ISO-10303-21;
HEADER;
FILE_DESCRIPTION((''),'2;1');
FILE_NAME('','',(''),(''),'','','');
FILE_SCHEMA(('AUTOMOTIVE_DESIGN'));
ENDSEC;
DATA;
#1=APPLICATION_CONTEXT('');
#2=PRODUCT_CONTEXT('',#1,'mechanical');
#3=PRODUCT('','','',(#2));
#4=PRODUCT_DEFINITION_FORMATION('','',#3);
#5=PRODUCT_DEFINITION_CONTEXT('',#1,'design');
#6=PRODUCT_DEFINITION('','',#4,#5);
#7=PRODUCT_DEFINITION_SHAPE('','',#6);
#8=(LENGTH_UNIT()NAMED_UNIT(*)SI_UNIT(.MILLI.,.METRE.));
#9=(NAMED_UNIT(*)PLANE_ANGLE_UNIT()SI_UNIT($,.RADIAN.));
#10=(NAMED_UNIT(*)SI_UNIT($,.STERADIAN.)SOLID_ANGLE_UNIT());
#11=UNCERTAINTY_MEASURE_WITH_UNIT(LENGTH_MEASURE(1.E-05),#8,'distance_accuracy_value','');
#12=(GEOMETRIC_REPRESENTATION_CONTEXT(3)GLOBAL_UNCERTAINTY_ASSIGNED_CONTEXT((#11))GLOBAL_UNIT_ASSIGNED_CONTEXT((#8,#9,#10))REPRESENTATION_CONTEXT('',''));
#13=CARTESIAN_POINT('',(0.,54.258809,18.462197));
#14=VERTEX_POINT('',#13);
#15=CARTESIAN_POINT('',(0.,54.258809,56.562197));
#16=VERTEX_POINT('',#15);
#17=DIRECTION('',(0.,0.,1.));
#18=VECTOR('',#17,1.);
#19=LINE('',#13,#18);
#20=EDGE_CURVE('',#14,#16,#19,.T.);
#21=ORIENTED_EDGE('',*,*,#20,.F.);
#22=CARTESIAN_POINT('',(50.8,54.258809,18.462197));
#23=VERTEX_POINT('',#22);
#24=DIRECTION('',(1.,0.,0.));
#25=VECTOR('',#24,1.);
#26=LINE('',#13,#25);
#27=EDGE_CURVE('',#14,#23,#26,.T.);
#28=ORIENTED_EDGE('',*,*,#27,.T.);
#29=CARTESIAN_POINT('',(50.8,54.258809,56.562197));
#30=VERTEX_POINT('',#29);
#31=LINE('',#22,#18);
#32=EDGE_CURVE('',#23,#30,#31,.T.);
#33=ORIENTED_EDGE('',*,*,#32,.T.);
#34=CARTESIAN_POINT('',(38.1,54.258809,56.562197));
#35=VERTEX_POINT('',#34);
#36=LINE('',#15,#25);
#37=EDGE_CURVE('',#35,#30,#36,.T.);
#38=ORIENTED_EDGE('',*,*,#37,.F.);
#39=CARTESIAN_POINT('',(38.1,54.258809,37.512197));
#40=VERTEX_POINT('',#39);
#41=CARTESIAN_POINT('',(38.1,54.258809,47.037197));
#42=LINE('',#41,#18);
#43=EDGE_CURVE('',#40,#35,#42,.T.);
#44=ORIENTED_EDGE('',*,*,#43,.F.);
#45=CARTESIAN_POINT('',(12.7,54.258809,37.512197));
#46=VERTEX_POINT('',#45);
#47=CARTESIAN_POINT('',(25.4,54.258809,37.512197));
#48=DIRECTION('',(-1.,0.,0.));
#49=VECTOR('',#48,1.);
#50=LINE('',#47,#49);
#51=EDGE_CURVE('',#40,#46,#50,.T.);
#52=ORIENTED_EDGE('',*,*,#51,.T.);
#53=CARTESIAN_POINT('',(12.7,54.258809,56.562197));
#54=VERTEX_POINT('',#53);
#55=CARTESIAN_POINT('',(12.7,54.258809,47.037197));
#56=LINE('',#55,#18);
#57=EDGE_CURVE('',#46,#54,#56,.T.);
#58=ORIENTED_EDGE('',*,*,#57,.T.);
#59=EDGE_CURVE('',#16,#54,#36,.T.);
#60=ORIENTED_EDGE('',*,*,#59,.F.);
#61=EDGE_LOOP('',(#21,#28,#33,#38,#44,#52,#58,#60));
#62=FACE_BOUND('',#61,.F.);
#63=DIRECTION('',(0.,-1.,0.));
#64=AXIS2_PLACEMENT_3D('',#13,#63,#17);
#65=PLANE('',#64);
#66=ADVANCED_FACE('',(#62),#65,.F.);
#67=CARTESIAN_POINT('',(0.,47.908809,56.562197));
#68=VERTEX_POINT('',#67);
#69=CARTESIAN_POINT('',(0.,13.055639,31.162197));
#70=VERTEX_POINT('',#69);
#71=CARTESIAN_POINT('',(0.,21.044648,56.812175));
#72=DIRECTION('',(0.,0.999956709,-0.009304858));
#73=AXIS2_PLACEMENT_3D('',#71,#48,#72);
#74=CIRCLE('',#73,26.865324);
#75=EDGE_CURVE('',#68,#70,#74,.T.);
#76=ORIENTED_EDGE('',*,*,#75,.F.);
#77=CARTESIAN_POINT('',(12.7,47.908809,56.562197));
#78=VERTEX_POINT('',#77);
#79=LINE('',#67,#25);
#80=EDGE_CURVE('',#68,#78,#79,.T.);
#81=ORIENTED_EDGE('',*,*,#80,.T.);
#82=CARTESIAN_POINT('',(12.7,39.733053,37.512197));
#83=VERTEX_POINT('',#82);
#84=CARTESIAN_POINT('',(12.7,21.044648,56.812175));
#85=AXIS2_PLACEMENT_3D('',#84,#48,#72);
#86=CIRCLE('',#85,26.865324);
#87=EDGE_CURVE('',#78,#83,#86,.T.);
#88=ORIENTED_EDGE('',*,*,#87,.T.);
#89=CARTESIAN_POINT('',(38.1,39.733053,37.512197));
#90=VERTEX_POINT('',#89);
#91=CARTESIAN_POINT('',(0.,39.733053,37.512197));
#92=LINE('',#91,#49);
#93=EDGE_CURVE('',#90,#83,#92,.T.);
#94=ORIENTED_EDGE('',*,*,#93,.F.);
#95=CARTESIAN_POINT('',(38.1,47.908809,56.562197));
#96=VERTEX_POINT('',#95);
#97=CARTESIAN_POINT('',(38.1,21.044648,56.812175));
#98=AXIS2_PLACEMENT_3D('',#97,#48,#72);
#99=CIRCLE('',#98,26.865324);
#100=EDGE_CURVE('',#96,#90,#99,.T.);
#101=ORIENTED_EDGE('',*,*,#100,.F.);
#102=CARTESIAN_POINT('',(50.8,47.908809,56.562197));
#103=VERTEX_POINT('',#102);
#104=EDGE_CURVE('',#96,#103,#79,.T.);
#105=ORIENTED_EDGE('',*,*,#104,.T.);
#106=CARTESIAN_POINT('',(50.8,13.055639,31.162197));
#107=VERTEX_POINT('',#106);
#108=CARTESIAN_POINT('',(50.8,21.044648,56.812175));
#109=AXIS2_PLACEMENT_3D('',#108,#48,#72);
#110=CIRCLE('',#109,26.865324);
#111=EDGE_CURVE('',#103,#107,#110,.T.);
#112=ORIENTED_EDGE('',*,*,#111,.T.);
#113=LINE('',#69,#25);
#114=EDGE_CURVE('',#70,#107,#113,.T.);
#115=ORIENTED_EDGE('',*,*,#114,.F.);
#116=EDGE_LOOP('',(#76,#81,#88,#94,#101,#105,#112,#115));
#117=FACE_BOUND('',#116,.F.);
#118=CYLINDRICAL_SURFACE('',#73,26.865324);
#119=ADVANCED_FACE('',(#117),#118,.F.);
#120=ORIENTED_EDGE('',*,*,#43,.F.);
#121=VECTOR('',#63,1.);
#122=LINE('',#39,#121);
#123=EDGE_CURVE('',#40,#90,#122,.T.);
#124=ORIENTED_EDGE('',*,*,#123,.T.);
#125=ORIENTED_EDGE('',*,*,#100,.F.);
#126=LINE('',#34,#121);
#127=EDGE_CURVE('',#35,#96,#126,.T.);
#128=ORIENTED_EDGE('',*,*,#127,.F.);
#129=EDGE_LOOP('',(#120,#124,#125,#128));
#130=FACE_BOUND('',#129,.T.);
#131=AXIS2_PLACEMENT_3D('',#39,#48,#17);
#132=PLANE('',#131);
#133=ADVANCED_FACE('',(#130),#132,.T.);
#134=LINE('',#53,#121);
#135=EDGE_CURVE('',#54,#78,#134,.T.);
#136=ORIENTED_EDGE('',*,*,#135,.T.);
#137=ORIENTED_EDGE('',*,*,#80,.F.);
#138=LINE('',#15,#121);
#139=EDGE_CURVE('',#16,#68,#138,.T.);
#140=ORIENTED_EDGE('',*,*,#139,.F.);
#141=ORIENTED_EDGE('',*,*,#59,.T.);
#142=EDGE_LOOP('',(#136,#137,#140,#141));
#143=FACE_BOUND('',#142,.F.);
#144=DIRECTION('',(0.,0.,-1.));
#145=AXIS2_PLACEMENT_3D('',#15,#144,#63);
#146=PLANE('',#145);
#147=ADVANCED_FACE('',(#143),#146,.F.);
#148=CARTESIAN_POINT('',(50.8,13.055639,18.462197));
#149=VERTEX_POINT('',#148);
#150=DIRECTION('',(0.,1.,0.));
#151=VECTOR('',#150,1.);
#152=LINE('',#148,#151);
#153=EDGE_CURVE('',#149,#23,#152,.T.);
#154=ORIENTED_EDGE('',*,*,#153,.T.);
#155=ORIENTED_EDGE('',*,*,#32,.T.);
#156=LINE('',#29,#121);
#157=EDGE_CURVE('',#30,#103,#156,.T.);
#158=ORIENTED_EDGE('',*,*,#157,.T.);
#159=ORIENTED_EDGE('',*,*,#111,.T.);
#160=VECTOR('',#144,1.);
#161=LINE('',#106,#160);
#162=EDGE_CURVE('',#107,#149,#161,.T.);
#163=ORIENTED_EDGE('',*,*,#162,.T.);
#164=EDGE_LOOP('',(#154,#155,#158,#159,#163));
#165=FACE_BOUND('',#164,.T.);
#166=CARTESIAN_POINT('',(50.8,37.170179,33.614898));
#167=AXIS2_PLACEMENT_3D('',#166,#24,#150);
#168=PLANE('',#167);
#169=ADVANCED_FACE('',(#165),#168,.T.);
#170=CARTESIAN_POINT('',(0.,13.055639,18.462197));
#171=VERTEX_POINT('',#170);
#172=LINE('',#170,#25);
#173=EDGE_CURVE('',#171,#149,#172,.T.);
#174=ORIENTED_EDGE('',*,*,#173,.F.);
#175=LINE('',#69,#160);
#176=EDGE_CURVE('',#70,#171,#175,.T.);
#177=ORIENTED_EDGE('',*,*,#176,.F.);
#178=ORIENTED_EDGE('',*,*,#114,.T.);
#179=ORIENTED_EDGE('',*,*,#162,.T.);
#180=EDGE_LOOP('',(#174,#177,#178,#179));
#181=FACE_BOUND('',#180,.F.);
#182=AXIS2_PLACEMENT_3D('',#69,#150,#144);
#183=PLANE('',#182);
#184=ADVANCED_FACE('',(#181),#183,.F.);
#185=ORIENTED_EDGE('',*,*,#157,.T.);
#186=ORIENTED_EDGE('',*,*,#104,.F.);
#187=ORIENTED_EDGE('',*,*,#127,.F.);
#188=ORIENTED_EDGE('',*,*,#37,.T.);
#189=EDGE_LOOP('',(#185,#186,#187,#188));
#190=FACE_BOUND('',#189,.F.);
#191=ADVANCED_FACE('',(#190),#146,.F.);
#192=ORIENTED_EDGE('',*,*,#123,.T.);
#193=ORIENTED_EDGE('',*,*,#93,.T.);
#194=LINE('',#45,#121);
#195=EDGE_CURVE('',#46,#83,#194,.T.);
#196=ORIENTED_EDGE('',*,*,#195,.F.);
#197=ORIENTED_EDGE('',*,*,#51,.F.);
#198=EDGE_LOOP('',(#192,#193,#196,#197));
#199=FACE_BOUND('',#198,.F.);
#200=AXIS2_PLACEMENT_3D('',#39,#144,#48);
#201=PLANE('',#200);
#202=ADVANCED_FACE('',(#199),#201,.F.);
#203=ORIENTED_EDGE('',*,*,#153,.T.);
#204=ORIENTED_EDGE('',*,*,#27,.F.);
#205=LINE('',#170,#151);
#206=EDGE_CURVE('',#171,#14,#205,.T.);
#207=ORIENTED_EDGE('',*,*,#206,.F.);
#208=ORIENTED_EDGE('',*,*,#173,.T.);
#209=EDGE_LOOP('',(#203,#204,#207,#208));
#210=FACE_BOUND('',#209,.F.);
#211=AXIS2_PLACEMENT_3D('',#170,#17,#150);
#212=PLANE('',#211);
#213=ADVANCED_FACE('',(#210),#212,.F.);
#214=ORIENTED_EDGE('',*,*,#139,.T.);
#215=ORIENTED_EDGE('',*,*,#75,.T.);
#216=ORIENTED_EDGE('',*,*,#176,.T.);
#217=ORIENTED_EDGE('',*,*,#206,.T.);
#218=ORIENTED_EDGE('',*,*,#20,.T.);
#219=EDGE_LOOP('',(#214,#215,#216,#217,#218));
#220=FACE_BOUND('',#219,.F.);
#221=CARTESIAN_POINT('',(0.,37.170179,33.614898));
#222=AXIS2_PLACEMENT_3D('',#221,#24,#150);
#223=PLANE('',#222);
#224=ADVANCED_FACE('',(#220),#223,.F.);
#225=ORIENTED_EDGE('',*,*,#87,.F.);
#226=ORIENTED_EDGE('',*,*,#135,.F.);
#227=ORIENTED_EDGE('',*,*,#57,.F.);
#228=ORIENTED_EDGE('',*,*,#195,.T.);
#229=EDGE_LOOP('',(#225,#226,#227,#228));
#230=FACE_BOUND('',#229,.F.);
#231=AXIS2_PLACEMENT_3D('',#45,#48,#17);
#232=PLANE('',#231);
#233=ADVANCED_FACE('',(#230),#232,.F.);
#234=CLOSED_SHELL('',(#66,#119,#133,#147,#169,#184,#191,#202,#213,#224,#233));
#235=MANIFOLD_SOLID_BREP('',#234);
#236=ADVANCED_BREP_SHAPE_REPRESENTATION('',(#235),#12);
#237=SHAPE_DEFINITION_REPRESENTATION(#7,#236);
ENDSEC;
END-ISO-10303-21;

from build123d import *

# Parameters (mm, degrees)
F1_DEPTH = 50.8
F3_DEPTH = 50.8
F4_W     = 25.4
F4_H     = 19.05
F5_DEPTH = 19.05
F6_W     = 25.4
F6_H     = 19.05
F7_DEPTH = 19.05


with BuildPart() as f1:
    # F0 (on Right) → F1 (new body)
    with BuildSketch(Plane.YZ):
        Polygon((54.258809, 18.462197), (54.258809, 56.562197), (47.908809, 56.562197), (13.055639, 31.162197), (13.055639, 18.462197), align=None)
    extrude(amount=F1_DEPTH)

    # F2 (on face) → F3 (cut)
    with BuildSketch(Plane(origin=(0, 0, 0), x_dir=(0, -1, 0), z_dir=(-1, 0, 0))):
        with BuildLine():
            Line((-13.055639, 31.162197), (-47.908809, 56.562197))
            ThreePointArc((-47.908809, 56.562197), (-36.867348, 35.100708), (-13.055639, 31.162197))
        make_face()
    extrude(amount=-F3_DEPTH, mode=Mode.SUBTRACT)

    # F4 (on Front) → F5 (cut)
    with BuildSketch(Plane.XZ):
        with Locations((25.4, 49.807958)):
            Rectangle(F4_W, F4_H)
    extrude(amount=-F5_DEPTH, mode=Mode.SUBTRACT)

    # F6 (on face) → F7 (cut)
    with BuildSketch(Plane(origin=(0, 54.258809, 0), x_dir=(-1, 0, 0), z_dir=(0, 1, 0))):
        with Locations((-25.4, 47.037197)):
            Rectangle(F6_W, F6_H)
    extrude(amount=-F7_DEPTH, mode=Mode.SUBTRACT)


solid = f1.part
